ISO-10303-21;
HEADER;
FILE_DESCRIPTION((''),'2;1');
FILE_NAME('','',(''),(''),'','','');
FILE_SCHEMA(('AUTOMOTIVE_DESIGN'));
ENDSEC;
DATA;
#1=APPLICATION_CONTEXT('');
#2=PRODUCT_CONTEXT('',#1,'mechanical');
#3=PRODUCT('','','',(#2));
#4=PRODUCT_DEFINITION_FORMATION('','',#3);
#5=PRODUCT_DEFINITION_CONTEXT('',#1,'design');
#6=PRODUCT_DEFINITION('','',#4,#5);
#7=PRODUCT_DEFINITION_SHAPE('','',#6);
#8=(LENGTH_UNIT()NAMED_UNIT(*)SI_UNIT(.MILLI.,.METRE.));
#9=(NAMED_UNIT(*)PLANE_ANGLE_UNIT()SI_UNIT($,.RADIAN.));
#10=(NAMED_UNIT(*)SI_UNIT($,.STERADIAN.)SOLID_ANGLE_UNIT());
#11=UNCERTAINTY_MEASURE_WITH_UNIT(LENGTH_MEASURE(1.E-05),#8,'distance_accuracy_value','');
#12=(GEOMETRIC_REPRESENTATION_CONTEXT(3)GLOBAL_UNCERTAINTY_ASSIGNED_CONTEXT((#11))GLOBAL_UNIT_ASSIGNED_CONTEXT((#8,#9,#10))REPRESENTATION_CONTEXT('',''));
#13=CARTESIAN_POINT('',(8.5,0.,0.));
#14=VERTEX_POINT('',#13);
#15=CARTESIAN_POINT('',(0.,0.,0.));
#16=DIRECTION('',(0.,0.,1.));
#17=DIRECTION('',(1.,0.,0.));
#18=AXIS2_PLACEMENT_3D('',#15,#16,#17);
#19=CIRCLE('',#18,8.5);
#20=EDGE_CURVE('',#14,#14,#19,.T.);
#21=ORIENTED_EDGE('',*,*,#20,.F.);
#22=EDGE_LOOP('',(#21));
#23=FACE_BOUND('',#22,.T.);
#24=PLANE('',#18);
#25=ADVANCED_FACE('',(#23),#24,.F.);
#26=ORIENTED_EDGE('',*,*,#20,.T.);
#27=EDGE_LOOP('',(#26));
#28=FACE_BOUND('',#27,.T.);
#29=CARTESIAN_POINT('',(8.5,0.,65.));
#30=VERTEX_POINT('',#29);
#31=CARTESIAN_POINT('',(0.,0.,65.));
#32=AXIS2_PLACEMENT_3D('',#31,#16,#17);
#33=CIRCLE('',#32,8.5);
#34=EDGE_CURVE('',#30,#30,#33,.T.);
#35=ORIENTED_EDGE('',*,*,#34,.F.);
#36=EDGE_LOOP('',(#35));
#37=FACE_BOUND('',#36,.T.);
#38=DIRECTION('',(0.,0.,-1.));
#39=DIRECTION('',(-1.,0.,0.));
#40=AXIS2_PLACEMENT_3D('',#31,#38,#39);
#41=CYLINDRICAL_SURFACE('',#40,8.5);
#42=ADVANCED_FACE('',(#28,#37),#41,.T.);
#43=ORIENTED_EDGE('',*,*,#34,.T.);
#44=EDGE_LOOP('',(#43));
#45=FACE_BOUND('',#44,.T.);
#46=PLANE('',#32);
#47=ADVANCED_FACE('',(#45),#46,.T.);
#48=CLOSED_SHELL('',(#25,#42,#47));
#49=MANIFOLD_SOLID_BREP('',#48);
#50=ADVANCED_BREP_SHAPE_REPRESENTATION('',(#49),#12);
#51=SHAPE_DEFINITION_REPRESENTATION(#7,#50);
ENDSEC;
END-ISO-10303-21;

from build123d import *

# Parameters (mm, degrees)
SKETCH1_R           = 8.5
BOSS_EXTRUDE1_DEPTH = 65


with BuildPart() as part:
    # Sketch1 → Boss-Extrude1 (new body)
    with BuildSketch(Plane.XY):
        Circle(SKETCH1_R)
    extrude(amount=BOSS_EXTRUDE1_DEPTH)


solid = part.part
